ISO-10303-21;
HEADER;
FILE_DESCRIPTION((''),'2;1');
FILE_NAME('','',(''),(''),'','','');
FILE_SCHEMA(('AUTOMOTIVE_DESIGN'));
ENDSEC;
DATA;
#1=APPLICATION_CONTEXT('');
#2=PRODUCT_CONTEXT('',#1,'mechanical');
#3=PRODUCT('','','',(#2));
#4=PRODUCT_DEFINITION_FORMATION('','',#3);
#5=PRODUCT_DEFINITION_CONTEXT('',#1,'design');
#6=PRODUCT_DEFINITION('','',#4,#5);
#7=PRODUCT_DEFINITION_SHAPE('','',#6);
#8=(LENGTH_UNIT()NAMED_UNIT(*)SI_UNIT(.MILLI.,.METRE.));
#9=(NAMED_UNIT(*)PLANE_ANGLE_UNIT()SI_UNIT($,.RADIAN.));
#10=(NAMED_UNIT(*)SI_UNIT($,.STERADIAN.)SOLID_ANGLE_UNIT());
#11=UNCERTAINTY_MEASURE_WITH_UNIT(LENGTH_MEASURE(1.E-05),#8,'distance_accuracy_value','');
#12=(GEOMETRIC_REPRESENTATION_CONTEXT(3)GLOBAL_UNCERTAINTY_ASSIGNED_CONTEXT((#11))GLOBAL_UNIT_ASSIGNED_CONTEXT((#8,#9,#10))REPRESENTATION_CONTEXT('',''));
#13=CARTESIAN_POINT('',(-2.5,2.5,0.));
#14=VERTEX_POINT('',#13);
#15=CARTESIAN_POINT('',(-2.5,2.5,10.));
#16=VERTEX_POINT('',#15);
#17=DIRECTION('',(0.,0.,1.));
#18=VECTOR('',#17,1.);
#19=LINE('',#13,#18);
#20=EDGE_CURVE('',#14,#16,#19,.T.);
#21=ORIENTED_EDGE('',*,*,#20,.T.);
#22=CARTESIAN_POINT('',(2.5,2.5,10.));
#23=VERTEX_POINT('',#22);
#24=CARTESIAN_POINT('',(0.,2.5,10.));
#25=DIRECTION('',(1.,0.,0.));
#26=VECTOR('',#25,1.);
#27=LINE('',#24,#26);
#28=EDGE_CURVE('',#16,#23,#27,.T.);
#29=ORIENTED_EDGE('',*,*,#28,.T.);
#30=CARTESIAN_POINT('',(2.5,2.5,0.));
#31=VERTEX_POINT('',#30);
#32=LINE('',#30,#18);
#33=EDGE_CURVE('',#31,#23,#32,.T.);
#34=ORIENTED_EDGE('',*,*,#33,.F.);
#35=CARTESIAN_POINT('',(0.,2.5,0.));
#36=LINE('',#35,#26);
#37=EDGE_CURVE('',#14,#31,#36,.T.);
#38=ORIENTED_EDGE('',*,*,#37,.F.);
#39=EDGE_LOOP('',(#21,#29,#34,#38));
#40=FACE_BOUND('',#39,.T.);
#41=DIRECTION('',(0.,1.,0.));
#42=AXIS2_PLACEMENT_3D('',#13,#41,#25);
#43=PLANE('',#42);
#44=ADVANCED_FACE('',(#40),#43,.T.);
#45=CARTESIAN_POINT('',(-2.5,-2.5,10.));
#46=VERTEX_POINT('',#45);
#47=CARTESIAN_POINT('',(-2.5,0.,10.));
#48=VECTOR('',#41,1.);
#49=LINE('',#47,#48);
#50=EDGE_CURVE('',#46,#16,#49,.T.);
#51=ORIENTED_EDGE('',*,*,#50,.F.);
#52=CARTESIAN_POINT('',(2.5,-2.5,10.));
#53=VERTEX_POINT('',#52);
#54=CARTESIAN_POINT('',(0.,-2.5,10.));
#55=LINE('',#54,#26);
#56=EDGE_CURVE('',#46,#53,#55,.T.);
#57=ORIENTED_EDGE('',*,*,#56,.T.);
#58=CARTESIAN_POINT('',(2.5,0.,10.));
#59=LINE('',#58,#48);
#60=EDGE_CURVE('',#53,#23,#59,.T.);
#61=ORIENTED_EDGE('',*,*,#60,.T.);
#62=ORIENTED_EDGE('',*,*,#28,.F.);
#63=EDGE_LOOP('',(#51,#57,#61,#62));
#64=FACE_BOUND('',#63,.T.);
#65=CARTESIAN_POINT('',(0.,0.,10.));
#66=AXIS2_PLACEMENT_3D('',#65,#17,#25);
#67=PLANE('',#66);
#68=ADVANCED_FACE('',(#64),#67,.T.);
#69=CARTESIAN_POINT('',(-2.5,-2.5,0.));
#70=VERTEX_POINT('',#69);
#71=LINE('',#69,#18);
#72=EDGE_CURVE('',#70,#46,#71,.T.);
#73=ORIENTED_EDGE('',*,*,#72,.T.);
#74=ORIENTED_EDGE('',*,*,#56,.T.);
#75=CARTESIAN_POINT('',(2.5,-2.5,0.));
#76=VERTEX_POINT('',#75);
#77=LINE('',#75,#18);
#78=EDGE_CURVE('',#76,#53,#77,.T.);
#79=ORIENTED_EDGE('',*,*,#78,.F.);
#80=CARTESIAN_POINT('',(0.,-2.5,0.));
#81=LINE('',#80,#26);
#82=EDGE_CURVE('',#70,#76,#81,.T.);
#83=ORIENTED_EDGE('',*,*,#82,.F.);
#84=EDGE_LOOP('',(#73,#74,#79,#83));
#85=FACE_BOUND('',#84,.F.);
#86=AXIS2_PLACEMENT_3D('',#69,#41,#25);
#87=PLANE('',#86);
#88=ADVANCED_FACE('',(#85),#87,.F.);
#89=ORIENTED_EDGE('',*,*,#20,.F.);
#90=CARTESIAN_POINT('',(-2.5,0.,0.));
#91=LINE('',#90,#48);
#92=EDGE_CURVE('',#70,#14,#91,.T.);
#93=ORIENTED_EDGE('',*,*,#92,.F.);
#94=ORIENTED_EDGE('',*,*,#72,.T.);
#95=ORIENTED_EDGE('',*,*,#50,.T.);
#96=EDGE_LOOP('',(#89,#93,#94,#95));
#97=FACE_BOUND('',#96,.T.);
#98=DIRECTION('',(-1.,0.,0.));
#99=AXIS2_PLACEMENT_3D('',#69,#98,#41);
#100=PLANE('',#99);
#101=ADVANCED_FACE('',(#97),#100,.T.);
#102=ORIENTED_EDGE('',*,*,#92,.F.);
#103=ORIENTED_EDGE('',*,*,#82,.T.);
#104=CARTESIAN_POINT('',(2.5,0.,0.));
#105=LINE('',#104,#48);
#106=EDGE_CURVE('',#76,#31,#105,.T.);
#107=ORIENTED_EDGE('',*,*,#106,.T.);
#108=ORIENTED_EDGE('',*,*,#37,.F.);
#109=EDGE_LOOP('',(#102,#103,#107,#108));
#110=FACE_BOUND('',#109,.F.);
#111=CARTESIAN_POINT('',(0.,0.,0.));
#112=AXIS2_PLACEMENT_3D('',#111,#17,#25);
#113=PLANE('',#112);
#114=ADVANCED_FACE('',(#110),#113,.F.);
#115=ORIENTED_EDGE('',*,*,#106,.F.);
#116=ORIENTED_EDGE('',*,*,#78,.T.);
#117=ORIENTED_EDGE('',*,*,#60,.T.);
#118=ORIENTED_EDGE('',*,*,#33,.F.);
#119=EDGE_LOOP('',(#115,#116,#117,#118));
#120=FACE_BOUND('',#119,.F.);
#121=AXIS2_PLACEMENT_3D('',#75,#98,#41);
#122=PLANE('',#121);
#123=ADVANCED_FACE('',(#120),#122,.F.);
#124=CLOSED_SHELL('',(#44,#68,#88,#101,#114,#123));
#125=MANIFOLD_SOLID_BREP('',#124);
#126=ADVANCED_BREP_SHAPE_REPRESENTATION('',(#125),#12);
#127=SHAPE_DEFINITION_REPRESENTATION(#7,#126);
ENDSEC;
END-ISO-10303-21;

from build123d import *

# Parameters (mm, degrees)
SKETCH_W  = 5
SKETCH_H  = 5
PAD_DEPTH = 10


with BuildPart() as part:
    # Sketch (on XY_Plane of Origin) → Pad (new body)
    with BuildSketch(Plane.XY):
        Rectangle(SKETCH_W, SKETCH_H)
    extrude(amount=PAD_DEPTH)


solid = part.part
